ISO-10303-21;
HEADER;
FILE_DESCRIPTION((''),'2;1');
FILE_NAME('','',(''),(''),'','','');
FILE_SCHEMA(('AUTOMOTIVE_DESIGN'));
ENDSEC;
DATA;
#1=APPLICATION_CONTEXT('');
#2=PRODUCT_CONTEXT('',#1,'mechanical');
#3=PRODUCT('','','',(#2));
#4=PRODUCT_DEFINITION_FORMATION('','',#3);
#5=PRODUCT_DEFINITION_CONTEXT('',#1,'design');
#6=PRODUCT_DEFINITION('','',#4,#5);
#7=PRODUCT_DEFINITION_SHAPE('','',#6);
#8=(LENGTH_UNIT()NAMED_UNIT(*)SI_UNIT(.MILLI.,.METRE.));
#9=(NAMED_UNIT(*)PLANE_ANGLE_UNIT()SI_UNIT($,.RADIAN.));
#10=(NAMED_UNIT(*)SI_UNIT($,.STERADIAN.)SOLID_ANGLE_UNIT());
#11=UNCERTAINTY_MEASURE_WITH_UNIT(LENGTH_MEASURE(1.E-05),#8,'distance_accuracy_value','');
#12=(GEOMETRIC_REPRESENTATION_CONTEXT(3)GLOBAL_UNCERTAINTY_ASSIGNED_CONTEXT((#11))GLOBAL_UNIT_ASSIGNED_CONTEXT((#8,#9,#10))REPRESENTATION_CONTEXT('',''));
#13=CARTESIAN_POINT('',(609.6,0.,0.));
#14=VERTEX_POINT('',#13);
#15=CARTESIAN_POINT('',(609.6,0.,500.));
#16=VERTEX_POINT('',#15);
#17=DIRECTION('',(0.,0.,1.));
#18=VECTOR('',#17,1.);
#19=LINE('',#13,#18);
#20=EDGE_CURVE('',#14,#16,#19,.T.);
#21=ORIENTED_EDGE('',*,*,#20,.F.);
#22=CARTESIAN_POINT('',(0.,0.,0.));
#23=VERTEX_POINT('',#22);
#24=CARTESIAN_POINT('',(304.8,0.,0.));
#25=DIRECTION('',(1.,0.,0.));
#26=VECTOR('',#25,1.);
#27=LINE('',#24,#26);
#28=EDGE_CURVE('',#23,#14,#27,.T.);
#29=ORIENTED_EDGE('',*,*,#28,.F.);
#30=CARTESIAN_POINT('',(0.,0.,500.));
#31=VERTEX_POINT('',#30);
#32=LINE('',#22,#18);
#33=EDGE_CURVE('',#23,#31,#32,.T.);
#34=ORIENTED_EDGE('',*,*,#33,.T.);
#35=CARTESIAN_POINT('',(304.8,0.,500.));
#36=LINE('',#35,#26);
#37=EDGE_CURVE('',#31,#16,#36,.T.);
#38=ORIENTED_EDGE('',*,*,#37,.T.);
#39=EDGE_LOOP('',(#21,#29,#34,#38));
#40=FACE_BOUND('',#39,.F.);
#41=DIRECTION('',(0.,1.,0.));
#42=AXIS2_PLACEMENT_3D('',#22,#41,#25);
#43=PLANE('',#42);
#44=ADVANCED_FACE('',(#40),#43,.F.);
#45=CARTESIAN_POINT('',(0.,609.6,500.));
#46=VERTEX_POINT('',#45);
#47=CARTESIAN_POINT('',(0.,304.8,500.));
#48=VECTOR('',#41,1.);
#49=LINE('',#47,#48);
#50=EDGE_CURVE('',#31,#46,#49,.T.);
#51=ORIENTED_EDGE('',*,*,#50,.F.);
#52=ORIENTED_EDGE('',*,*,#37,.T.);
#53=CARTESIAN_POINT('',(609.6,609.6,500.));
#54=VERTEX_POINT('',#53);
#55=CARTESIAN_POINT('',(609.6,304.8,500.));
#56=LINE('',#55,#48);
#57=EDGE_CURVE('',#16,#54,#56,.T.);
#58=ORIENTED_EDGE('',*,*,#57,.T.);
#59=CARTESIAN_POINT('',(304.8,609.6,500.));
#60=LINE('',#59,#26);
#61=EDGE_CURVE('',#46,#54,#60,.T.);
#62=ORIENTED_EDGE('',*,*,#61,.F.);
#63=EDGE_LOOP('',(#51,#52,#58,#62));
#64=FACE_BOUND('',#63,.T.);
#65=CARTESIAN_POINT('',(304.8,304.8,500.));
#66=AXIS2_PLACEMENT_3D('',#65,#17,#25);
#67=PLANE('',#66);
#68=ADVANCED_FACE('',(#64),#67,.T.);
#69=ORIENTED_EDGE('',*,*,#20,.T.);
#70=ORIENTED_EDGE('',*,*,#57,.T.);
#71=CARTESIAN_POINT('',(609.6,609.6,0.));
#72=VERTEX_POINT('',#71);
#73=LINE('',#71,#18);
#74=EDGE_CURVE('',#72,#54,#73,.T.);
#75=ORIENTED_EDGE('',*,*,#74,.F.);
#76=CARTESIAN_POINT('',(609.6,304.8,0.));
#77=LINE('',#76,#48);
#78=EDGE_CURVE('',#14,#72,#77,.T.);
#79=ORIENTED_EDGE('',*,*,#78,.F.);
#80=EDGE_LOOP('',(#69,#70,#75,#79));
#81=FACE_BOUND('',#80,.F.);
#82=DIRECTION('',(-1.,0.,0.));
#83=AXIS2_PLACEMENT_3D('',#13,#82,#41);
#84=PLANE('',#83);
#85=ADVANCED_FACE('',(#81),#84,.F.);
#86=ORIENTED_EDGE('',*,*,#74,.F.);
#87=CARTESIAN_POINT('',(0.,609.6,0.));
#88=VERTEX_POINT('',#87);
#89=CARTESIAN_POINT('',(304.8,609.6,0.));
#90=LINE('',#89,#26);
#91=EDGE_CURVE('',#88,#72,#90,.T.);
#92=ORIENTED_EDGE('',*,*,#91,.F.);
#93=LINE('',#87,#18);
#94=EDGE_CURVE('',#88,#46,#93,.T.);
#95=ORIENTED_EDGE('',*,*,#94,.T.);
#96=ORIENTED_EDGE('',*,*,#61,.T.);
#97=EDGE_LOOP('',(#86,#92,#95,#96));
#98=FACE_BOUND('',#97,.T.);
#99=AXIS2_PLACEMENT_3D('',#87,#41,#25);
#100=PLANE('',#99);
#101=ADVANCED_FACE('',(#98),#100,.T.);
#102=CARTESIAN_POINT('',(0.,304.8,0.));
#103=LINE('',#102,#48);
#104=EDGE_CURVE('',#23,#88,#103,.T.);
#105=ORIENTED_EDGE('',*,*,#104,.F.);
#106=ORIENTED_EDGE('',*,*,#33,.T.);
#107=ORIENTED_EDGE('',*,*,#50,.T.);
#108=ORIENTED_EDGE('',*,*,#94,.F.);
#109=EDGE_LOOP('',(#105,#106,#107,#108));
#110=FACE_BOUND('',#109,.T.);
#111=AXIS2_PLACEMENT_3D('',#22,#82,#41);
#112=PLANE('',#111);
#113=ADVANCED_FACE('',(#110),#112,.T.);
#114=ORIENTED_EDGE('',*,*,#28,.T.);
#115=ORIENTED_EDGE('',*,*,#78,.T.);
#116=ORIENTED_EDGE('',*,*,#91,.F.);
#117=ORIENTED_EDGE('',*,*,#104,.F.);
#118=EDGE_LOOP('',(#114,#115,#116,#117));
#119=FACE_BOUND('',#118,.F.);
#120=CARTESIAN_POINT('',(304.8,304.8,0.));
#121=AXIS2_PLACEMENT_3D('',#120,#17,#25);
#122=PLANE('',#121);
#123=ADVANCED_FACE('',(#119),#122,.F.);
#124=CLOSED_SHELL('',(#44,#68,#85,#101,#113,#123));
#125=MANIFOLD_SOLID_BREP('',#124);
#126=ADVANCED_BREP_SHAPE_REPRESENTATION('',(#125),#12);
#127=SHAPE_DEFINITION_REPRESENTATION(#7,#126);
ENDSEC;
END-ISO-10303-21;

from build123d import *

# Parameters (mm, degrees)
BOX_W     = 609.6
BOX_H     = 609.6
BOX_DEPTH = 500


with BuildPart() as part:
    # Box → Box (new body)
    with BuildSketch(Plane.XY):
        with Locations((304.8, 304.8)):
            Rectangle(BOX_W, BOX_H)
    extrude(amount=BOX_DEPTH)


solid = part.part
